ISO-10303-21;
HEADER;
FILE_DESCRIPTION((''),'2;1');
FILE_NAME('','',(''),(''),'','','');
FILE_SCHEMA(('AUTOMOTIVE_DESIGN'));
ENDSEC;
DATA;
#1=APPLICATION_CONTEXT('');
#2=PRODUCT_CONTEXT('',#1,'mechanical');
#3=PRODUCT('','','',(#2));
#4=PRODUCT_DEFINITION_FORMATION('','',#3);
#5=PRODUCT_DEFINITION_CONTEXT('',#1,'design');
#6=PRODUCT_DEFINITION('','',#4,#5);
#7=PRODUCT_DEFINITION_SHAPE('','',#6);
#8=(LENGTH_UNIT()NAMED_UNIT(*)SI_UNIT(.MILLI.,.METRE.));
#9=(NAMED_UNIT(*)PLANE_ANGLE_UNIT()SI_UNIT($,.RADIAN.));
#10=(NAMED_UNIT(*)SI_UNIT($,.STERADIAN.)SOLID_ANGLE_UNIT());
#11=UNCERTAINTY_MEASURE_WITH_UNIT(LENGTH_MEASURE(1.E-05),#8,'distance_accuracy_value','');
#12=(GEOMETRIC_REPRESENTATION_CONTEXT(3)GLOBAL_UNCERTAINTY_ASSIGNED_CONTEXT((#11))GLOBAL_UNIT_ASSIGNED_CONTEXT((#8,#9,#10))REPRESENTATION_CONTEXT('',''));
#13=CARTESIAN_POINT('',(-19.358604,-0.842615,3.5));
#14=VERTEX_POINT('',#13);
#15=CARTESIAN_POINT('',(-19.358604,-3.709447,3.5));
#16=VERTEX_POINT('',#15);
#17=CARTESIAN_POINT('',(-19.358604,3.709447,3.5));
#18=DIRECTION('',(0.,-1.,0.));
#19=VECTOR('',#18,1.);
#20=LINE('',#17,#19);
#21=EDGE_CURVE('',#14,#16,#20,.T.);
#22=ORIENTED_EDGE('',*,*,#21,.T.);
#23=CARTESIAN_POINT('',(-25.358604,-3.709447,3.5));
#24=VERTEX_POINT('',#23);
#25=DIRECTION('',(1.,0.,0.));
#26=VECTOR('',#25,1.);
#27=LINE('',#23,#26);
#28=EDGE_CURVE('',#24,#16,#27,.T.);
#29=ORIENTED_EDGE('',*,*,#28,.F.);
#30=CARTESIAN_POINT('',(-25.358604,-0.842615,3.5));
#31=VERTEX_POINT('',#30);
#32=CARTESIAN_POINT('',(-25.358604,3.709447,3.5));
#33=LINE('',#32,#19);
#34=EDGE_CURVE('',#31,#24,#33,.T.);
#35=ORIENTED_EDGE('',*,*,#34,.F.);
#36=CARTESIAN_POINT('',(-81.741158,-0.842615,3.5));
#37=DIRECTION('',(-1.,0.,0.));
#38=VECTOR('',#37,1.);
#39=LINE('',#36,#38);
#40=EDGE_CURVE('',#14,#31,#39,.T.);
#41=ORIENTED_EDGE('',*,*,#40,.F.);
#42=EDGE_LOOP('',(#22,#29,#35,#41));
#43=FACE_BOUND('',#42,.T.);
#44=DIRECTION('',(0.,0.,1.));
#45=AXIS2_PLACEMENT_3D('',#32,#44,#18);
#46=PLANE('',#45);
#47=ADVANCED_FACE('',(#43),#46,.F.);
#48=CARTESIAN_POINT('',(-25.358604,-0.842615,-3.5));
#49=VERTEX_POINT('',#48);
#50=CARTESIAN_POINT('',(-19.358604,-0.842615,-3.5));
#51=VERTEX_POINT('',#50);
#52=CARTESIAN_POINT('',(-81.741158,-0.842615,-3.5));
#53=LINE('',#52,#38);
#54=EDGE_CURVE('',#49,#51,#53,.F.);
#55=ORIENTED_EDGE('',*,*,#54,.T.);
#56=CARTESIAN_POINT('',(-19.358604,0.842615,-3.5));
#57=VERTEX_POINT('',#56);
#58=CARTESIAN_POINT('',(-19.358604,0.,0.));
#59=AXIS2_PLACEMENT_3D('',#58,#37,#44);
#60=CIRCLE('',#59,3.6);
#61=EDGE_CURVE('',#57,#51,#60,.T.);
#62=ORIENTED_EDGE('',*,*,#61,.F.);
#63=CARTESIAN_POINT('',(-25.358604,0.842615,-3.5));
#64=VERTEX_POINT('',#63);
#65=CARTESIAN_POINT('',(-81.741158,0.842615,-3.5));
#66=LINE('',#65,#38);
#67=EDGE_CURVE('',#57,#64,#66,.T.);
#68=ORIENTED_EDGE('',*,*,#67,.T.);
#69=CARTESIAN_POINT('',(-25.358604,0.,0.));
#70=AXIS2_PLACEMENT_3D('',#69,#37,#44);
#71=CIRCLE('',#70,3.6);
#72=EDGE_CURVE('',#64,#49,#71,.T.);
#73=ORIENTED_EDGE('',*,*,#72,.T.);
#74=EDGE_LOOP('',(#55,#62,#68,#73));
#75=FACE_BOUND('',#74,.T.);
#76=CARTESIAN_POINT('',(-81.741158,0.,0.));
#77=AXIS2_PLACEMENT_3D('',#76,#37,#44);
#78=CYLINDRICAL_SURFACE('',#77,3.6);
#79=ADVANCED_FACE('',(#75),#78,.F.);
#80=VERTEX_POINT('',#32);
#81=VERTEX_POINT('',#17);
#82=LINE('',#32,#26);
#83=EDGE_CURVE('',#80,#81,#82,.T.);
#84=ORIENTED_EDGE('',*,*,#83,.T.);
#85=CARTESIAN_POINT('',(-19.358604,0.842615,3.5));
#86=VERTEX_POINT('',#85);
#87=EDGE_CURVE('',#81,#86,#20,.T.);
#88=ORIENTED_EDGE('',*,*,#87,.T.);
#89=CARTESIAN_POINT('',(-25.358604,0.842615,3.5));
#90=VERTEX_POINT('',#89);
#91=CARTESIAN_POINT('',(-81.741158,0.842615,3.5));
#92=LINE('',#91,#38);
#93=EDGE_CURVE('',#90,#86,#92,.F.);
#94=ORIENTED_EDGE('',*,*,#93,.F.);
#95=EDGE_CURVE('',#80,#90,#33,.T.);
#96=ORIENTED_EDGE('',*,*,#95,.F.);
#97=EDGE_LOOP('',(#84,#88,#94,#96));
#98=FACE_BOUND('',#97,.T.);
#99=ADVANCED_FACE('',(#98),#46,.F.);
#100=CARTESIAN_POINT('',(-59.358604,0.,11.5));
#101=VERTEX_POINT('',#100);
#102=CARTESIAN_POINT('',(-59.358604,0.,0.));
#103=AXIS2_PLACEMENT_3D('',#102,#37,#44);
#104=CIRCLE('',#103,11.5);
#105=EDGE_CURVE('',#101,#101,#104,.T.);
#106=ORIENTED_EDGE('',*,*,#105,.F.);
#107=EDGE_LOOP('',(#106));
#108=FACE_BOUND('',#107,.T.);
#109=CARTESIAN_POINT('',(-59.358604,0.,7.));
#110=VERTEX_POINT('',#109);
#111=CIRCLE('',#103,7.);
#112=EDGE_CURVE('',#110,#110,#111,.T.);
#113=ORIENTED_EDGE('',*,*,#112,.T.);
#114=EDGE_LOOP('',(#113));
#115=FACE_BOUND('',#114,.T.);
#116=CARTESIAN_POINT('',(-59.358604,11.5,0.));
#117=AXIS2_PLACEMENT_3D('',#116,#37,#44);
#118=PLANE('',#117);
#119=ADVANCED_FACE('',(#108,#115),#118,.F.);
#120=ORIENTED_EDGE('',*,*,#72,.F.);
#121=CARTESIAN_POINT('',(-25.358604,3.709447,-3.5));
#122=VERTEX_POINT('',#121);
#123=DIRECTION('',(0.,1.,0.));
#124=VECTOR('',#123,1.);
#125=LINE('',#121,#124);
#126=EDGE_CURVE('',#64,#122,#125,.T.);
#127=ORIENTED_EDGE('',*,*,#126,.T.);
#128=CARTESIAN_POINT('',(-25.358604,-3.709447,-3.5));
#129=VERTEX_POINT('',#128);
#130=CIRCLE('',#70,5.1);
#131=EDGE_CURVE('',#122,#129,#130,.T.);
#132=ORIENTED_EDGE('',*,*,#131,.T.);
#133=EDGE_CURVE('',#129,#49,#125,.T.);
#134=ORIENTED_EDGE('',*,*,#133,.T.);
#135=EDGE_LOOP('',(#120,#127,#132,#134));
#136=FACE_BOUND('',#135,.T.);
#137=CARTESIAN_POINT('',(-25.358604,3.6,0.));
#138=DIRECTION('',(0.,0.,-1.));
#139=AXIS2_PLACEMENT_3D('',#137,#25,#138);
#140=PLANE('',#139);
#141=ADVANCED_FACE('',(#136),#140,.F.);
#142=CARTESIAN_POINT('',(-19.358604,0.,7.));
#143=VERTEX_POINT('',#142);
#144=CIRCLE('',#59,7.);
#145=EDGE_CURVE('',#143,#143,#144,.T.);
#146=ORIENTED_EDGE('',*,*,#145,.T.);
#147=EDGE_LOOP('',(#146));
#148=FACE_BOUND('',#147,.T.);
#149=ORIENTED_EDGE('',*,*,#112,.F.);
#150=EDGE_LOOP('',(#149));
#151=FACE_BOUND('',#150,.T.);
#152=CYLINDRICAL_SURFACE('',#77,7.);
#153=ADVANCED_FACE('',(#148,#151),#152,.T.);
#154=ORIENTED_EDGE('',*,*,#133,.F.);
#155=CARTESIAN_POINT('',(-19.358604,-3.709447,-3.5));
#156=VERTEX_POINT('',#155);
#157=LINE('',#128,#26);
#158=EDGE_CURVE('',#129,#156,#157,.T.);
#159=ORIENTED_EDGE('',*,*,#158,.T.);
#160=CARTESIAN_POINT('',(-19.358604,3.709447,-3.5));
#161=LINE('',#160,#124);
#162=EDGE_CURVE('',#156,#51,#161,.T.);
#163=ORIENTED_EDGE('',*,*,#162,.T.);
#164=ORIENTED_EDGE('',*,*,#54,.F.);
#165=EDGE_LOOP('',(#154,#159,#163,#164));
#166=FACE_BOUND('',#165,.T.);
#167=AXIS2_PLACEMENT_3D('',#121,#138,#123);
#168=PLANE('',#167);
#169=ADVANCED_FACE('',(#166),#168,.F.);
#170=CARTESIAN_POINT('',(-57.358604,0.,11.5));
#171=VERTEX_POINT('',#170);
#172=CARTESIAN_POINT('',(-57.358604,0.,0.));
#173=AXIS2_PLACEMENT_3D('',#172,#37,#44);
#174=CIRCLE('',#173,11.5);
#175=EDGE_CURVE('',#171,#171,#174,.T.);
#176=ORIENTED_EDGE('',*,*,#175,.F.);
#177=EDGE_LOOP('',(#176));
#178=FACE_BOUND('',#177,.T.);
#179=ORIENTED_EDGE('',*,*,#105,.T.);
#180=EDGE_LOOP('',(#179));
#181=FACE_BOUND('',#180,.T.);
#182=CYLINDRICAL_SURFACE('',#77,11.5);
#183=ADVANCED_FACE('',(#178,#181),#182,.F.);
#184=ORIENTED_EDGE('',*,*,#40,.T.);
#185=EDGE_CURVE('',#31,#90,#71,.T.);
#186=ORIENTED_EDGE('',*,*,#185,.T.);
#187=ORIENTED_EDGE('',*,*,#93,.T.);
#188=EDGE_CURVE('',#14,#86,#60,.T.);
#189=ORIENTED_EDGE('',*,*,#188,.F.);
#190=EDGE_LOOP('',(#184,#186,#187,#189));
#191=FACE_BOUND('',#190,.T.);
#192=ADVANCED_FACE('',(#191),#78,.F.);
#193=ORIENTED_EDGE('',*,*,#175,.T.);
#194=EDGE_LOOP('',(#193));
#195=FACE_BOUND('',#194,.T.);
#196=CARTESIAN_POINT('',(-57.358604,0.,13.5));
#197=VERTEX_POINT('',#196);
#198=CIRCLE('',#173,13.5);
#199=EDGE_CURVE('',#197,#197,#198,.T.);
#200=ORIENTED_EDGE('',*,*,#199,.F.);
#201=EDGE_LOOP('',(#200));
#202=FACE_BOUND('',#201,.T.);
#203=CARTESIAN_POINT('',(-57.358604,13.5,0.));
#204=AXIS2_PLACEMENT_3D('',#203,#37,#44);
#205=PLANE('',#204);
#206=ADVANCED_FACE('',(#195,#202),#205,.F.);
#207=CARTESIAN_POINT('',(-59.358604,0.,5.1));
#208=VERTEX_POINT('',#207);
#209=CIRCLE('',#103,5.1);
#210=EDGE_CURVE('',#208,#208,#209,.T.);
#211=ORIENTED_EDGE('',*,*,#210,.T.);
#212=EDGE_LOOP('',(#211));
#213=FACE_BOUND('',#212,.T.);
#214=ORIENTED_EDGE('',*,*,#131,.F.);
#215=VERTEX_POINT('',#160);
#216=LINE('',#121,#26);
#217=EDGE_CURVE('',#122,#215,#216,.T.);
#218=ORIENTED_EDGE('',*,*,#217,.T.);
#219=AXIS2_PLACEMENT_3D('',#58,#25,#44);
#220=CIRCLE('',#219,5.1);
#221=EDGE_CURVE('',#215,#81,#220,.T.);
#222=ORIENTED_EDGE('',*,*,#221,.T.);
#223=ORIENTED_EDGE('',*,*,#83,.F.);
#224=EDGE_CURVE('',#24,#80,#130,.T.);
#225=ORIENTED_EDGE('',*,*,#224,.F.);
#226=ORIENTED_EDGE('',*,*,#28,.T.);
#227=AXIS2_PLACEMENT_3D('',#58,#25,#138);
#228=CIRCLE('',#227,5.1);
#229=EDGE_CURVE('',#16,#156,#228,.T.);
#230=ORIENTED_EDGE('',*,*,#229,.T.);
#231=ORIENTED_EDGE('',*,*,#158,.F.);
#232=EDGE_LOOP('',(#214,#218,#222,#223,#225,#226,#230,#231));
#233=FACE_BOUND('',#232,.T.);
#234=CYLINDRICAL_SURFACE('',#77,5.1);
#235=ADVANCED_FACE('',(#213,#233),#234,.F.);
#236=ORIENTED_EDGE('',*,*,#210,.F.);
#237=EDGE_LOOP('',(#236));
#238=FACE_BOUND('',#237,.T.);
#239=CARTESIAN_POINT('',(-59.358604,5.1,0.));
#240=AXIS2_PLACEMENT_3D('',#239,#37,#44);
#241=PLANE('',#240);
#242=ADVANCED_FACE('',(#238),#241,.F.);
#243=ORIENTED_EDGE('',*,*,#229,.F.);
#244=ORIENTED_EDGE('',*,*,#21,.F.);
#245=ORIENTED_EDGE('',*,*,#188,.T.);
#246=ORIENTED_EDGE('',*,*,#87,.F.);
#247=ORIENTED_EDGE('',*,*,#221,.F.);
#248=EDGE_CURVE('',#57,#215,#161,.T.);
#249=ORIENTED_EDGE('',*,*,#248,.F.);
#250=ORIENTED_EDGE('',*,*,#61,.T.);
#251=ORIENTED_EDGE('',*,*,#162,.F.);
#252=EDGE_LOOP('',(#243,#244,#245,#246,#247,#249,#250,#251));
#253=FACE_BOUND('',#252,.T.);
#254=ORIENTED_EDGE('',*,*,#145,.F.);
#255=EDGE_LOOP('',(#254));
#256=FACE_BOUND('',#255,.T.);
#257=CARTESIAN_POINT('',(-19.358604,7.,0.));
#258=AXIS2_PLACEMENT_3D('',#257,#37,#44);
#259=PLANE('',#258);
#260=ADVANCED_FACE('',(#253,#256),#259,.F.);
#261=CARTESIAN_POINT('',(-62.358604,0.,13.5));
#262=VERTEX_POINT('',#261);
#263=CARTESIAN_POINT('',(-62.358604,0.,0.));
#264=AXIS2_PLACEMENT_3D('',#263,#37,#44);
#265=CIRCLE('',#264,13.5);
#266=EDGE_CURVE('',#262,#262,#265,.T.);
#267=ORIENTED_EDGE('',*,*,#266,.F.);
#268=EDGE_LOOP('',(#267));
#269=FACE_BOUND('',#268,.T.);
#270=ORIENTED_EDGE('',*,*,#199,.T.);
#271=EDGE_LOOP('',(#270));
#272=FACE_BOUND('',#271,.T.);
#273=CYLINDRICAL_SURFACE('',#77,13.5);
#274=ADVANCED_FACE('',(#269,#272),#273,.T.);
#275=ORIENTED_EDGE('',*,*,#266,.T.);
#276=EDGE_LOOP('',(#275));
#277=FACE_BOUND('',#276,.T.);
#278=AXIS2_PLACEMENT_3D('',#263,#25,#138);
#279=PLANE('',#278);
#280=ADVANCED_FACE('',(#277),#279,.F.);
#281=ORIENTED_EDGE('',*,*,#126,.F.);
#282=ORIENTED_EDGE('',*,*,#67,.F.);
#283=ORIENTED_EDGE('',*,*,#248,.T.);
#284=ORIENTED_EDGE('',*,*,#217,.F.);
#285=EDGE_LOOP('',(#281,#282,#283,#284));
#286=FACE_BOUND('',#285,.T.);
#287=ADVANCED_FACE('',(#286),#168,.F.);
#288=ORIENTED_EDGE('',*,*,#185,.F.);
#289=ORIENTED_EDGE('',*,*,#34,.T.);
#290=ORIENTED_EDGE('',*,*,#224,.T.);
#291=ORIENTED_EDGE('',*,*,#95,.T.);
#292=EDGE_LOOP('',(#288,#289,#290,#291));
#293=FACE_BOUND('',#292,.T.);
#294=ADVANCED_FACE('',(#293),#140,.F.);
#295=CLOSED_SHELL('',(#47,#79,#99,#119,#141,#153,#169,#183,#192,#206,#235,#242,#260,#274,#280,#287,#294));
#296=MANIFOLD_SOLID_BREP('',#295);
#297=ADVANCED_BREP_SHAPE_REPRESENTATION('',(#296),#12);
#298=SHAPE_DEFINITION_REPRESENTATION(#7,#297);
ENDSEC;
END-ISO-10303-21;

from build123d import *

# Parameters (mm, degrees)
CUT_EXTRUDE_START   = -6
CUT_EXTRUDE_1_DEPTH = 6


with BuildPart() as part:
    # 草图1 → 旋转1 (revolve)
    with BuildSketch(Plane.XY, mode=Mode.PRIVATE) as revolve_1_sk:
        Polygon((-59.358604437, 0), (-62.358604437, 0), (-62.358604437, 13.5), (-57.358604437, 13.5), (-57.358604437, 11.5), (-59.358604437, 11.5), (-59.358604437, 7), (-19.358604437, 7), (-19.358604437, 3.6), (-25.358604437, 3.6), (-25.358604437, 5.1), (-59.358604437, 5.1), align=None)
    revolve(revolve_1_sk.sketch.rotate(Axis((-81.741157905, 0, 0), (1, 0, 0)), 90), axis=Axis((-81.741157905, 0, 0), (1, 0, 0)))

    # 草图2 → 切除-拉伸1 (cut)
    with BuildSketch(Plane(origin=(-19.358604437, 0, 0), x_dir=(0, 0, -1), z_dir=(1, 0, 0)).offset(CUT_EXTRUDE_START)):
        with BuildLine():
            Line((-3.5, 3.709447398), (-3.5, -3.709447398))
            ThreePointArc((-3.5, -3.709447398), (0, -5.1), (3.5, -3.709447398))
            Line((3.5, -3.709447398), (3.5, 3.709447398))
            ThreePointArc((3.5, 3.709447398), (0, 5.1), (-3.5, 3.709447398))
        make_face()
    extrude(amount=CUT_EXTRUDE_1_DEPTH, mode=Mode.SUBTRACT)


solid = part.part
